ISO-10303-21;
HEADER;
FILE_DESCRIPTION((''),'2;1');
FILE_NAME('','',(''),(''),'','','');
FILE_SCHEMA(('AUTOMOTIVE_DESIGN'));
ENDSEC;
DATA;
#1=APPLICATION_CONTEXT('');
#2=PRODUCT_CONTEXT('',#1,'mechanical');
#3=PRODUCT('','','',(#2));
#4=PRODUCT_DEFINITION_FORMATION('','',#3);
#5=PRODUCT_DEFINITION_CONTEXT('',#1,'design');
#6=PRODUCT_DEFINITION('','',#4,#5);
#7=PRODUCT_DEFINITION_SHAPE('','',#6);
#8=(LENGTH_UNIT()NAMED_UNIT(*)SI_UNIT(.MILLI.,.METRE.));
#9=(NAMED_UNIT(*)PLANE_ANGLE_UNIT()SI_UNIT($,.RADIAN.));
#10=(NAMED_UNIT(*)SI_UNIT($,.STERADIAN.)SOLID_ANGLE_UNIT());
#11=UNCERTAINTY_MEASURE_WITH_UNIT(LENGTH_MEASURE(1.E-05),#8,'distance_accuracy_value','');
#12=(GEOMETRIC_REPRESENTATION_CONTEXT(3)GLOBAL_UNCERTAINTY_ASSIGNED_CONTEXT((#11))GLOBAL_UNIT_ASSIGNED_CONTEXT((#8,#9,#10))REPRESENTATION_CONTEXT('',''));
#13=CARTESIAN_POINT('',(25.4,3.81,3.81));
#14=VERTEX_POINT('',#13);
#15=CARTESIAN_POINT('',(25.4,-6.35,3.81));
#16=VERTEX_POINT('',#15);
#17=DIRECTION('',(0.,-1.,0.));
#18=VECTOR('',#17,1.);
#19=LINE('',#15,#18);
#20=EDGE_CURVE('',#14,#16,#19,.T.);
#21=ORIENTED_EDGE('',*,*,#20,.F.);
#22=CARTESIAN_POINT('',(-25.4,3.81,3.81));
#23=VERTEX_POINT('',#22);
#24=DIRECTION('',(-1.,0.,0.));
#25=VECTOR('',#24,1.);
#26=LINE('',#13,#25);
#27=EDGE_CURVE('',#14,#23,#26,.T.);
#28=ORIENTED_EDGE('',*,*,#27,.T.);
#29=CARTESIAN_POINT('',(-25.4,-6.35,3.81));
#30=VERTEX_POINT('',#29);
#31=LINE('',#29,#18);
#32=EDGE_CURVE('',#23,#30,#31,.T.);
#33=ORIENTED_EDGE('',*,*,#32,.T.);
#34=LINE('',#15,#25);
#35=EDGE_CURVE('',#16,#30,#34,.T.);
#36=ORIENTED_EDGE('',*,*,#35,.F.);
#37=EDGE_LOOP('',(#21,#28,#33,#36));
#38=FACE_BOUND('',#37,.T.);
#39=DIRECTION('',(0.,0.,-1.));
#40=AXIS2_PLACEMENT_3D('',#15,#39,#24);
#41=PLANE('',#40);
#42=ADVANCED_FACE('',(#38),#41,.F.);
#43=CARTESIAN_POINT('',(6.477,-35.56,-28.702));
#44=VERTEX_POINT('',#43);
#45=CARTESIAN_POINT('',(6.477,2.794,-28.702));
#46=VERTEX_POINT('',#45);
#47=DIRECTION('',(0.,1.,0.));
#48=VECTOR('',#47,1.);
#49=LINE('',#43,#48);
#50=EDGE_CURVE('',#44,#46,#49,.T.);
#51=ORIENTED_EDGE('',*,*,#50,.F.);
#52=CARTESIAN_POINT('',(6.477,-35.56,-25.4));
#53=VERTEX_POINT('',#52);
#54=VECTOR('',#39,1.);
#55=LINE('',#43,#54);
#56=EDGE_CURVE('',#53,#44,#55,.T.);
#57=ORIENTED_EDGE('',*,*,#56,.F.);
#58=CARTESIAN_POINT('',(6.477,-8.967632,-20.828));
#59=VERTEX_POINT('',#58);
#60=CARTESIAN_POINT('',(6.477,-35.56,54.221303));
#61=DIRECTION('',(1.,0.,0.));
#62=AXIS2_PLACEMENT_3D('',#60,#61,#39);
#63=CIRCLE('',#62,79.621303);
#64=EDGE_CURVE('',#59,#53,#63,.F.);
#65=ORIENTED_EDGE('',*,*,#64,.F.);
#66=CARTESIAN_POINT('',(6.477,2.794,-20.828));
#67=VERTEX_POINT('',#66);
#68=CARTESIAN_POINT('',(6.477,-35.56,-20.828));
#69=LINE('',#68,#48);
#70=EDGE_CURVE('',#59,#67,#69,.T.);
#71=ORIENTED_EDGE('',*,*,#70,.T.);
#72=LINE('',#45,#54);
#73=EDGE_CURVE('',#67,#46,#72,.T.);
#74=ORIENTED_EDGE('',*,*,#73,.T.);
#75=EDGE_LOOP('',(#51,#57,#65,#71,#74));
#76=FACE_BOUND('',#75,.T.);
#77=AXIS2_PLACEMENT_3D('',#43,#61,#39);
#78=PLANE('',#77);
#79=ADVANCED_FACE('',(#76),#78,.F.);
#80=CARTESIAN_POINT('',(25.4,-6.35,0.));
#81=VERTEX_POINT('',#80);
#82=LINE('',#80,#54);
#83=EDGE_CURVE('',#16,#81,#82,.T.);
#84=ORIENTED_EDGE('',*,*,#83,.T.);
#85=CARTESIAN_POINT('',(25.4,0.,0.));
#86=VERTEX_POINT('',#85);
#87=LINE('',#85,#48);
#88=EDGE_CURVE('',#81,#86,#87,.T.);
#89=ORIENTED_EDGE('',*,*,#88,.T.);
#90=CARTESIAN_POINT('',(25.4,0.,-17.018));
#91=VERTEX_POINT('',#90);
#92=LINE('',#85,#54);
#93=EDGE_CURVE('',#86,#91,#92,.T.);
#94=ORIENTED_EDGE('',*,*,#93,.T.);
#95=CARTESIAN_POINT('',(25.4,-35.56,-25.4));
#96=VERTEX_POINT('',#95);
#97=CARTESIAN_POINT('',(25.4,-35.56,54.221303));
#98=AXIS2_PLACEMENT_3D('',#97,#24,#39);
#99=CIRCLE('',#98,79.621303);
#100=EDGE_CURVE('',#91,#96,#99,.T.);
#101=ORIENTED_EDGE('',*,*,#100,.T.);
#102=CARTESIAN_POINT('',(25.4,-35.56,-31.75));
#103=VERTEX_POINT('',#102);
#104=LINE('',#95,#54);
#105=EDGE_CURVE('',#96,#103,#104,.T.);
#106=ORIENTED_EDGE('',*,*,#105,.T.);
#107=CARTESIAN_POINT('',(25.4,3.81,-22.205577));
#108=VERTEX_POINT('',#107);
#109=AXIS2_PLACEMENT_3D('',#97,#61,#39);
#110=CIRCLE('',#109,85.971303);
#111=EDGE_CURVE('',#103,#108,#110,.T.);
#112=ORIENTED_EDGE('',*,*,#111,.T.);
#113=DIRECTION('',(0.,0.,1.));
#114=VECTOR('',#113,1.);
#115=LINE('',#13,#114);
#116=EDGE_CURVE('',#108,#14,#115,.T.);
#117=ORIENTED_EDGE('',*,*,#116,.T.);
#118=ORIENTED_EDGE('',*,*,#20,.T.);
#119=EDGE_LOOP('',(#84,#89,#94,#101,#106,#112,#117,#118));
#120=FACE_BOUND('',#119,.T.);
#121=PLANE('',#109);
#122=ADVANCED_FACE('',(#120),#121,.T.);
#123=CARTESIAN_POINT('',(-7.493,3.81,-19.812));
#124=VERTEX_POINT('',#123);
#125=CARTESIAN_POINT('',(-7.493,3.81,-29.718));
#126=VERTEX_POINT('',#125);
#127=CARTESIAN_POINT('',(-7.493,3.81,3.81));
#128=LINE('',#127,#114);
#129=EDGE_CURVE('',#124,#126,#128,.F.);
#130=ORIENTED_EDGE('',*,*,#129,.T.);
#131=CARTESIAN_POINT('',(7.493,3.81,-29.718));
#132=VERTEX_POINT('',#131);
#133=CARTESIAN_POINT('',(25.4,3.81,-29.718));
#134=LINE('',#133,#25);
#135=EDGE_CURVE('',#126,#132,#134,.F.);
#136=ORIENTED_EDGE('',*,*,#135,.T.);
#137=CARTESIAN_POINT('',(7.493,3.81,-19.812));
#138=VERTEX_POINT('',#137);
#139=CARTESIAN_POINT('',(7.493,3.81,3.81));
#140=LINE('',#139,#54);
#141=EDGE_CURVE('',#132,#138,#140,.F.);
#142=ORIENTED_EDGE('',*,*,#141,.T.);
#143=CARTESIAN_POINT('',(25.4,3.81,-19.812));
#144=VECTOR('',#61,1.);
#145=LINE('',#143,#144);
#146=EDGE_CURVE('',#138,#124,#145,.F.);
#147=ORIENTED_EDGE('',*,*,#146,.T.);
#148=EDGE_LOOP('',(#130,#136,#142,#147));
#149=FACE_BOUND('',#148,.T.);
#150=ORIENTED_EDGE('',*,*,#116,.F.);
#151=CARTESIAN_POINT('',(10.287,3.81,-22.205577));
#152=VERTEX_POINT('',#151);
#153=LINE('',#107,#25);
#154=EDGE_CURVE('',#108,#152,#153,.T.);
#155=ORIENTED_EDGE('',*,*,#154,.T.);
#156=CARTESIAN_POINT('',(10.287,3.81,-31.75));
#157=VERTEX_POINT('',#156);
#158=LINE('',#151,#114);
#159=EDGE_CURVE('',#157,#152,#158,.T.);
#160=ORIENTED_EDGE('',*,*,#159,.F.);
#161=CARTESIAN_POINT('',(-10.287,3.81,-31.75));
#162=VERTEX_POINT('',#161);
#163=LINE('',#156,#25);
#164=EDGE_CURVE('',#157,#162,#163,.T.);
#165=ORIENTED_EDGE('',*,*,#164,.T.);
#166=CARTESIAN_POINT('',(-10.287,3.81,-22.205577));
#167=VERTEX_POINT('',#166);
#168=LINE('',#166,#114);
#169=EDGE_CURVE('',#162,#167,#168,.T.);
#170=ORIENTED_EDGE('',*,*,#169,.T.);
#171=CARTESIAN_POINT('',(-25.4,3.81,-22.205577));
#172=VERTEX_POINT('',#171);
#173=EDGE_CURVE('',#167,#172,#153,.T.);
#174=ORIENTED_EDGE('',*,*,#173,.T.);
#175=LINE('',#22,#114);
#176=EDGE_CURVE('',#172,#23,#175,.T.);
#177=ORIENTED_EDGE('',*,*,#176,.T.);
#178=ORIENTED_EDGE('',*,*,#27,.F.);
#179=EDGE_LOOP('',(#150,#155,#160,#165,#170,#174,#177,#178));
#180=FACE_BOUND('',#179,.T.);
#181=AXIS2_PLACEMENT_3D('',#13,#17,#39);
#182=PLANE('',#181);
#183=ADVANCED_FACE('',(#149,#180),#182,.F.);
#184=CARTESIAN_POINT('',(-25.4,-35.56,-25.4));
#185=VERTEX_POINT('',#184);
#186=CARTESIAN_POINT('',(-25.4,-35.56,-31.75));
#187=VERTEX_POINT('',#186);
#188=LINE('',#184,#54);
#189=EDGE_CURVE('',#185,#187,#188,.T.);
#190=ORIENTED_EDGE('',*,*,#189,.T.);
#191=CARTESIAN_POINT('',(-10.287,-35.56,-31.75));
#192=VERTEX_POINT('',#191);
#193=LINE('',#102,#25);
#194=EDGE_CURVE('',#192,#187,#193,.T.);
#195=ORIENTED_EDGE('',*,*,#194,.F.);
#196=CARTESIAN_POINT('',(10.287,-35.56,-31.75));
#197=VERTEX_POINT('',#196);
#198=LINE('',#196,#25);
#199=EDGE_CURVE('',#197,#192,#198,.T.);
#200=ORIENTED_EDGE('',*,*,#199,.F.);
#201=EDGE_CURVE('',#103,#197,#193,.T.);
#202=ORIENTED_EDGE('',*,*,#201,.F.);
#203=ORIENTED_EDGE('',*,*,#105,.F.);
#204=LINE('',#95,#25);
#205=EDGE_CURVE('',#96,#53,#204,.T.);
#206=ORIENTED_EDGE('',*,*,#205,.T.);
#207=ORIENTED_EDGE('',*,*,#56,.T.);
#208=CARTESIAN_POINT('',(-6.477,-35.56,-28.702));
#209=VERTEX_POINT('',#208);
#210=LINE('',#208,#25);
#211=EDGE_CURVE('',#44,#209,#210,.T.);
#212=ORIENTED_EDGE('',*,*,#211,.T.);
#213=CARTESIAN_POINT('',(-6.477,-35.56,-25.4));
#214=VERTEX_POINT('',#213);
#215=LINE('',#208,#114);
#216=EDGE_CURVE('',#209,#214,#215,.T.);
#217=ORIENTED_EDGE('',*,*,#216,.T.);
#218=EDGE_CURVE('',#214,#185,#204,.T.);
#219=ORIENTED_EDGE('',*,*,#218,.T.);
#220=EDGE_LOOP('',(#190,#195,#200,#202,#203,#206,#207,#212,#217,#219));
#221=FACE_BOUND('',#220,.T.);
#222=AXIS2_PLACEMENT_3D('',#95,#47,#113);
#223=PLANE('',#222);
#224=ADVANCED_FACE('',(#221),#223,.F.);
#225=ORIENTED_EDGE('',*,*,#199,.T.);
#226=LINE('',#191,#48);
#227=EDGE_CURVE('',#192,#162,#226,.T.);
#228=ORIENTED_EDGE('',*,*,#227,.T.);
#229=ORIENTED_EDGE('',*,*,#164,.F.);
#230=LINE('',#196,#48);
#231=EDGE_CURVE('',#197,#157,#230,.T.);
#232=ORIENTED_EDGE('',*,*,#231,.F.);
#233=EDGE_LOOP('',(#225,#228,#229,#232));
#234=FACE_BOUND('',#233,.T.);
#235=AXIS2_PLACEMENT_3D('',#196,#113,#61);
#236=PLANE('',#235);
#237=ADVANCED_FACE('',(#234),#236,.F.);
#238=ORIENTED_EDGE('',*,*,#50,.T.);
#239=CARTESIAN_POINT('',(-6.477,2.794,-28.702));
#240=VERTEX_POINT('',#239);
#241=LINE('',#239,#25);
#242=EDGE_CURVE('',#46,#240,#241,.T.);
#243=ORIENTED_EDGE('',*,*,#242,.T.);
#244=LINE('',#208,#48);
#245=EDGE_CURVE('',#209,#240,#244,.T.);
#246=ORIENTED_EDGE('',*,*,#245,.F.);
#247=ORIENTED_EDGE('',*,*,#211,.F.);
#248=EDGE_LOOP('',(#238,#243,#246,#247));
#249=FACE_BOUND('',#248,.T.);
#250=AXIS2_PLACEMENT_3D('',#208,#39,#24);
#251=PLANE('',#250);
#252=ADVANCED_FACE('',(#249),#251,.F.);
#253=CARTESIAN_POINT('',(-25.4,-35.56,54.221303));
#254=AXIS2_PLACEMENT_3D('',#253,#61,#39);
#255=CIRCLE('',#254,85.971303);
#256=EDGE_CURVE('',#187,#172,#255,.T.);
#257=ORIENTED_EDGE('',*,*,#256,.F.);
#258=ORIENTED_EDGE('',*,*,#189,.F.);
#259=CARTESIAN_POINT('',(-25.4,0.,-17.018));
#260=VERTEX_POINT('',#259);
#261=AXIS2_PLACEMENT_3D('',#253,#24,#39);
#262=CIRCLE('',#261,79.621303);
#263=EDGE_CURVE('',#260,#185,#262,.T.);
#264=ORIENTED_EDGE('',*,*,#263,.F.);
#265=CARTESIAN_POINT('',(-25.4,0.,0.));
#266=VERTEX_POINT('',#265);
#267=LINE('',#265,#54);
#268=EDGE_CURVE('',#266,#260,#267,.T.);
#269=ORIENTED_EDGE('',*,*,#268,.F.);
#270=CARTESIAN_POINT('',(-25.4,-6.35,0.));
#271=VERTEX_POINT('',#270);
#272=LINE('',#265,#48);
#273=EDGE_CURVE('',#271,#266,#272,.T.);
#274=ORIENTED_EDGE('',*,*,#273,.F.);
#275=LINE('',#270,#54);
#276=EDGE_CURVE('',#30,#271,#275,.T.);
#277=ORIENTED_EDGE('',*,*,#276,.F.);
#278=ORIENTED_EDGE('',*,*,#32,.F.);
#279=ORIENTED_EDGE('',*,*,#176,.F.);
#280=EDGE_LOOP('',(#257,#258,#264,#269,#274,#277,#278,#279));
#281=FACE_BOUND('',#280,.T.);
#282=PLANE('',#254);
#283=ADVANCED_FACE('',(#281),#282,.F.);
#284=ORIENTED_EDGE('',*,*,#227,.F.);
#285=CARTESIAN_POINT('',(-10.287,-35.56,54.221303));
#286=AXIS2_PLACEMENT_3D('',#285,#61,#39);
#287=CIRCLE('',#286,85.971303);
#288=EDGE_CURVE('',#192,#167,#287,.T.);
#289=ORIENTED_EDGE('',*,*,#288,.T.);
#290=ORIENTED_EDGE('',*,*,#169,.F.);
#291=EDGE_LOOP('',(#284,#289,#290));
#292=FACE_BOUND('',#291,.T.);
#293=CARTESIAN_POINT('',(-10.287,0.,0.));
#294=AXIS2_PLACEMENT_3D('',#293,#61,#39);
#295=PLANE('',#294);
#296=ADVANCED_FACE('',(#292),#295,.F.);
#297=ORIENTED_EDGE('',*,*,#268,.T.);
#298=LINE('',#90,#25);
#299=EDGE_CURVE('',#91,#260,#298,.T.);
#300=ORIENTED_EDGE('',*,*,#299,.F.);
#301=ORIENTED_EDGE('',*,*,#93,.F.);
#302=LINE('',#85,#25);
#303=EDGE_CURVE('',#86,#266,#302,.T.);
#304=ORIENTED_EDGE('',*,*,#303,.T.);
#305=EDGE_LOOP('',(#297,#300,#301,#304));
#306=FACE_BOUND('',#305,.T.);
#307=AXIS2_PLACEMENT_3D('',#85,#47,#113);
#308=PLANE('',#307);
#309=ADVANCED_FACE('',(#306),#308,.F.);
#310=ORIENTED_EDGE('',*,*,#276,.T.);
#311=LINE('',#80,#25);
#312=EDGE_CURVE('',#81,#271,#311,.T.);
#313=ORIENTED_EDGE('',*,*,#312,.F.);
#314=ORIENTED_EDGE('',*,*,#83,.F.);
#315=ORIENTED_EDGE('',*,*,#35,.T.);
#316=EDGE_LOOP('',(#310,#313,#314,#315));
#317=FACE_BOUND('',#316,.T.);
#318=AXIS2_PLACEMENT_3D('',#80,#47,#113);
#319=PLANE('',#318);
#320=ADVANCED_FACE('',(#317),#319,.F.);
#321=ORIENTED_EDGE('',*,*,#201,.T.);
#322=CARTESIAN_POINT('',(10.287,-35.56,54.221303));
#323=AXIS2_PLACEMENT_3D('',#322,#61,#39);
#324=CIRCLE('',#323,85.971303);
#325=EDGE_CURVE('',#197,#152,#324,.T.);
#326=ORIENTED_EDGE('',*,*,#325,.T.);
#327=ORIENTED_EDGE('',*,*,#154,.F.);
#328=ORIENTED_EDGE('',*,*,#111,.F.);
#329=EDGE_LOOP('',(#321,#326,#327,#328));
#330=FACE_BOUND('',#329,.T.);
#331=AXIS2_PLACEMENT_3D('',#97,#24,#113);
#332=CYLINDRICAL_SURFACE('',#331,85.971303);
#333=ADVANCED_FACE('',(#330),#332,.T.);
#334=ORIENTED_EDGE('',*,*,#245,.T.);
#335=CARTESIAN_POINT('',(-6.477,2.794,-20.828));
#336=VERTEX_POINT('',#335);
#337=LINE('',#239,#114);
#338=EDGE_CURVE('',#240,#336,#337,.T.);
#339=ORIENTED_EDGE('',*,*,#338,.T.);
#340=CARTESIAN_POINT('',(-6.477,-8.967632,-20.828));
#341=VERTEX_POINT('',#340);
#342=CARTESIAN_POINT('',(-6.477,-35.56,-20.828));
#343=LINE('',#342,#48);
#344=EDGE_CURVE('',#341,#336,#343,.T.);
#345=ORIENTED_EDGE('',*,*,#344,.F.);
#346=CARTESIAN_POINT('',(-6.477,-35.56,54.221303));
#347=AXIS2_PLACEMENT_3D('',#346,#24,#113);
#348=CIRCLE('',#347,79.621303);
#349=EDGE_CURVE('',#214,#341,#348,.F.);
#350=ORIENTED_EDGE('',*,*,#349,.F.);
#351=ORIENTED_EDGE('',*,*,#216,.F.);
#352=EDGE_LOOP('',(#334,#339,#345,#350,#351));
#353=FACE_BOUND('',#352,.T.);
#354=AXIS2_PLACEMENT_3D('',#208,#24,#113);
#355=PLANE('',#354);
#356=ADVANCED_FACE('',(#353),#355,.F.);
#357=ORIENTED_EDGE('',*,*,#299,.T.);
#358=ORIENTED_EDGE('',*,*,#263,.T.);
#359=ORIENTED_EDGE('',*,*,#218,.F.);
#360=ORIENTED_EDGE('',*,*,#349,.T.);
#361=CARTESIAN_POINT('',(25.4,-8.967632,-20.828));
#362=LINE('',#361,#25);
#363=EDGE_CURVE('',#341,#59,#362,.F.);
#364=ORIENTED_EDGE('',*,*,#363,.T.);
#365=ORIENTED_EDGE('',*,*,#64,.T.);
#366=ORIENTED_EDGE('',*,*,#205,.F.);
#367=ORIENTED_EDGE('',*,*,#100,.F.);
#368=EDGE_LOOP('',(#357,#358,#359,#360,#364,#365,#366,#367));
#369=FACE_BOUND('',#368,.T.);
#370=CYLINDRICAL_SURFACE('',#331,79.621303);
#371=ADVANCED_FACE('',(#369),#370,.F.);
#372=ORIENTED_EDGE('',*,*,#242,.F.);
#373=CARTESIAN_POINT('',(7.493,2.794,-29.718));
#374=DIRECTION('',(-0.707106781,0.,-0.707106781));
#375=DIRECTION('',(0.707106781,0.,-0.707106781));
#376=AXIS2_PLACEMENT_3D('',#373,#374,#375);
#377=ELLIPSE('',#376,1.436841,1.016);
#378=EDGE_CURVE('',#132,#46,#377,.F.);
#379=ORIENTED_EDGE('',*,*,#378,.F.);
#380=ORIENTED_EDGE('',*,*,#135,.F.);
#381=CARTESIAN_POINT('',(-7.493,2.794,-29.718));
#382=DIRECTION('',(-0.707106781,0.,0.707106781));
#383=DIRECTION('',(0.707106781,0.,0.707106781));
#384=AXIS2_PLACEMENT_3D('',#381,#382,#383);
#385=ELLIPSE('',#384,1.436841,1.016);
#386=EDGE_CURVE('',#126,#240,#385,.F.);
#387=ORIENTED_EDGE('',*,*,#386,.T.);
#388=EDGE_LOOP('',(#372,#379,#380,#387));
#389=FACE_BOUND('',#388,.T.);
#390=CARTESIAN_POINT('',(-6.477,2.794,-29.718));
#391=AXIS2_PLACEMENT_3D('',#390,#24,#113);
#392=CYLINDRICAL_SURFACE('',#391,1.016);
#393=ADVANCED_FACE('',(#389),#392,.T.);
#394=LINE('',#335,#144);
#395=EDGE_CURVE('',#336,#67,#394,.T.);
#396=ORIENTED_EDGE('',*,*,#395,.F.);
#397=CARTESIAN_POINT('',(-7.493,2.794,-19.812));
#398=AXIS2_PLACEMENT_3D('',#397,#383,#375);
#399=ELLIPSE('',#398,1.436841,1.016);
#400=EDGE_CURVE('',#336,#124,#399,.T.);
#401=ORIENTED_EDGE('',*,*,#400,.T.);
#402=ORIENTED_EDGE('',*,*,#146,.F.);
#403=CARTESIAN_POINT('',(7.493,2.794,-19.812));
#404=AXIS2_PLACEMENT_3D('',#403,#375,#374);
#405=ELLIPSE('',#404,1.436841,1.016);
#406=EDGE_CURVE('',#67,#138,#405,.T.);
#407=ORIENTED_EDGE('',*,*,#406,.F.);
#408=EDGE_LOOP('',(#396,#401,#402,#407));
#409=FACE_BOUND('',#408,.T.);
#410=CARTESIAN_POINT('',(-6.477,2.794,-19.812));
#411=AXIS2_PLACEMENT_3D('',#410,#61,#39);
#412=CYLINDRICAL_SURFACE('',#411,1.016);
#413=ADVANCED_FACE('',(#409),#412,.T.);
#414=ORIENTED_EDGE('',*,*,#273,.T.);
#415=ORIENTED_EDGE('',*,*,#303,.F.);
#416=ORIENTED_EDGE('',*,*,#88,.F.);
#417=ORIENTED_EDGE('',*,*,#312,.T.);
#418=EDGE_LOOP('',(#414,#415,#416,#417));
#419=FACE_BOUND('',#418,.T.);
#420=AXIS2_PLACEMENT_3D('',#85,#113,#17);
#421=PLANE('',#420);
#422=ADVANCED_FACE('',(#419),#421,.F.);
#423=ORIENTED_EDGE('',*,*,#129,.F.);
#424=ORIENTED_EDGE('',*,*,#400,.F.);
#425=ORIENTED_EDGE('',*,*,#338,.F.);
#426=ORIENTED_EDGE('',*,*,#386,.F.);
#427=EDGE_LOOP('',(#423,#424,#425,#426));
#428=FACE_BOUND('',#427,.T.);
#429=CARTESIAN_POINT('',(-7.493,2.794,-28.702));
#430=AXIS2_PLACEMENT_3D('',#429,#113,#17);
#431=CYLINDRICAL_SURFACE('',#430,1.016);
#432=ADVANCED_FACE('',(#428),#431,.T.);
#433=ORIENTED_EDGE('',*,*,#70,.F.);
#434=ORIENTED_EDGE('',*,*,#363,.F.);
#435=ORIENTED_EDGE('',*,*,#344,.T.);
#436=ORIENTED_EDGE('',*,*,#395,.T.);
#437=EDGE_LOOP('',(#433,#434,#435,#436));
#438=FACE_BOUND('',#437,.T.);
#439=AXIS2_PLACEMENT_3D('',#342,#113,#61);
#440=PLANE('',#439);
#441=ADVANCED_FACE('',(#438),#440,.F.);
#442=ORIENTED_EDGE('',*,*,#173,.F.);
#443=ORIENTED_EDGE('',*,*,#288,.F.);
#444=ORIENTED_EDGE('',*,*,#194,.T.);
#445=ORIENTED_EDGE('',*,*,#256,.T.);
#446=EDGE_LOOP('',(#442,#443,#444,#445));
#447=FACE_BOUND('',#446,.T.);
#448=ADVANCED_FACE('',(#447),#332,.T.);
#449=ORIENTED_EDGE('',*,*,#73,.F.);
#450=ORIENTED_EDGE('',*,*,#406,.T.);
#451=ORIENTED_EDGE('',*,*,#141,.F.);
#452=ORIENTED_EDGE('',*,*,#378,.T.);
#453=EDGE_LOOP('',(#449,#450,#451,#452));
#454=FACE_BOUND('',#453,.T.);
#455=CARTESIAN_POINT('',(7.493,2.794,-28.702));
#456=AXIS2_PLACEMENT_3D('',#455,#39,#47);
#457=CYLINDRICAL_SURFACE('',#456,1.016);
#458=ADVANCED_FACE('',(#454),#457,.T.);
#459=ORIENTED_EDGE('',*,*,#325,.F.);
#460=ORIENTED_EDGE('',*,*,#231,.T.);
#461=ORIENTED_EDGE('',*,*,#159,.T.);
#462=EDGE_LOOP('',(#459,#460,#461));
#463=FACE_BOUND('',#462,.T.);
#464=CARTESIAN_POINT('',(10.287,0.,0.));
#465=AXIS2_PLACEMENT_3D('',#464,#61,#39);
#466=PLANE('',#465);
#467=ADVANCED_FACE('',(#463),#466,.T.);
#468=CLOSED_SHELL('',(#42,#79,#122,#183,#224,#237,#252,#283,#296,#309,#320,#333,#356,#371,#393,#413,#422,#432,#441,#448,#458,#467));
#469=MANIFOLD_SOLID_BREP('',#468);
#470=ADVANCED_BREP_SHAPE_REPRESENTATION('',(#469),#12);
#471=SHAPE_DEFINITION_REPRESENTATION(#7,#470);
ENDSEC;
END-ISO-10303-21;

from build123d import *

# Parameters (mm, degrees)
BOSS_EXTRUDE1_DEPTH = 25.4
BOSS_EXTRUDE2_DEPTH = 10.287
SKETCH4_W           = 12.954
SKETCH4_H           = 7.874
CUT_EXTRUDE1_DEPTH  = 57.596991086
FILLET2_R           = 1.016


with BuildPart() as part:
    # Sketch2 → Boss-Extrude1 (new, symmetric)
    with BuildSketch(Plane(origin=(0, 0, 0), x_dir=(0, 0, -1), z_dir=(1, 0, 0))):
        with BuildLine():
            Line((0, 0), (0, -6.35))
            Line((0, -6.35), (-3.81, -6.35))
            Line((-3.81, -6.35), (-3.81, 3.81))
            Line((-3.81, 3.81), (22.20557735, 3.81))
            ThreePointArc((22.20557735, 3.81), (29.329829331, -15.304797559), (31.75, -35.56))
            Line((31.75, -35.56), (25.4, -35.56))
            ThreePointArc((25.4, -35.56), (23.276174446, -17.292737452), (17.018, 0))
            Line((17.018, 0), (0, 0))
        make_face()
    extrude(amount=BOSS_EXTRUDE1_DEPTH, both=True)

    # Sketch3 → Boss-Extrude2 (add, symmetric)
    with BuildSketch(Plane(origin=(0, 0, 0), x_dir=(0, 0, -1), z_dir=(1, 0, 0))):
        Polygon((31.75, -35.56), (31.75, 3.81), (22.20557735, 3.81), align=None)
    extrude(amount=BOSS_EXTRUDE2_DEPTH, both=True)

    # Sketch4 → Cut-Extrude1 (cut, through all)
    with BuildSketch(Plane(origin=(0, 3.81, 0), x_dir=(1, 0, 0), z_dir=(0, 1, 0))):
        with Locations((0, 24.765)):
            Rectangle(SKETCH4_W, SKETCH4_H)
    extrude(amount=-CUT_EXTRUDE1_DEPTH, mode=Mode.SUBTRACT)

    # Fillet2
    fillet2_edges = [part.edges().sort_by_distance(p)[0] for p in [
        (-6.477, 3.81, -24.765),
        (0, 3.81, -20.828),
        (6.477, 3.81, -24.765),
        (0, 3.81, -28.702),
    ]]
    fillet(fillet2_edges, radius=FILLET2_R)


solid = part.part
